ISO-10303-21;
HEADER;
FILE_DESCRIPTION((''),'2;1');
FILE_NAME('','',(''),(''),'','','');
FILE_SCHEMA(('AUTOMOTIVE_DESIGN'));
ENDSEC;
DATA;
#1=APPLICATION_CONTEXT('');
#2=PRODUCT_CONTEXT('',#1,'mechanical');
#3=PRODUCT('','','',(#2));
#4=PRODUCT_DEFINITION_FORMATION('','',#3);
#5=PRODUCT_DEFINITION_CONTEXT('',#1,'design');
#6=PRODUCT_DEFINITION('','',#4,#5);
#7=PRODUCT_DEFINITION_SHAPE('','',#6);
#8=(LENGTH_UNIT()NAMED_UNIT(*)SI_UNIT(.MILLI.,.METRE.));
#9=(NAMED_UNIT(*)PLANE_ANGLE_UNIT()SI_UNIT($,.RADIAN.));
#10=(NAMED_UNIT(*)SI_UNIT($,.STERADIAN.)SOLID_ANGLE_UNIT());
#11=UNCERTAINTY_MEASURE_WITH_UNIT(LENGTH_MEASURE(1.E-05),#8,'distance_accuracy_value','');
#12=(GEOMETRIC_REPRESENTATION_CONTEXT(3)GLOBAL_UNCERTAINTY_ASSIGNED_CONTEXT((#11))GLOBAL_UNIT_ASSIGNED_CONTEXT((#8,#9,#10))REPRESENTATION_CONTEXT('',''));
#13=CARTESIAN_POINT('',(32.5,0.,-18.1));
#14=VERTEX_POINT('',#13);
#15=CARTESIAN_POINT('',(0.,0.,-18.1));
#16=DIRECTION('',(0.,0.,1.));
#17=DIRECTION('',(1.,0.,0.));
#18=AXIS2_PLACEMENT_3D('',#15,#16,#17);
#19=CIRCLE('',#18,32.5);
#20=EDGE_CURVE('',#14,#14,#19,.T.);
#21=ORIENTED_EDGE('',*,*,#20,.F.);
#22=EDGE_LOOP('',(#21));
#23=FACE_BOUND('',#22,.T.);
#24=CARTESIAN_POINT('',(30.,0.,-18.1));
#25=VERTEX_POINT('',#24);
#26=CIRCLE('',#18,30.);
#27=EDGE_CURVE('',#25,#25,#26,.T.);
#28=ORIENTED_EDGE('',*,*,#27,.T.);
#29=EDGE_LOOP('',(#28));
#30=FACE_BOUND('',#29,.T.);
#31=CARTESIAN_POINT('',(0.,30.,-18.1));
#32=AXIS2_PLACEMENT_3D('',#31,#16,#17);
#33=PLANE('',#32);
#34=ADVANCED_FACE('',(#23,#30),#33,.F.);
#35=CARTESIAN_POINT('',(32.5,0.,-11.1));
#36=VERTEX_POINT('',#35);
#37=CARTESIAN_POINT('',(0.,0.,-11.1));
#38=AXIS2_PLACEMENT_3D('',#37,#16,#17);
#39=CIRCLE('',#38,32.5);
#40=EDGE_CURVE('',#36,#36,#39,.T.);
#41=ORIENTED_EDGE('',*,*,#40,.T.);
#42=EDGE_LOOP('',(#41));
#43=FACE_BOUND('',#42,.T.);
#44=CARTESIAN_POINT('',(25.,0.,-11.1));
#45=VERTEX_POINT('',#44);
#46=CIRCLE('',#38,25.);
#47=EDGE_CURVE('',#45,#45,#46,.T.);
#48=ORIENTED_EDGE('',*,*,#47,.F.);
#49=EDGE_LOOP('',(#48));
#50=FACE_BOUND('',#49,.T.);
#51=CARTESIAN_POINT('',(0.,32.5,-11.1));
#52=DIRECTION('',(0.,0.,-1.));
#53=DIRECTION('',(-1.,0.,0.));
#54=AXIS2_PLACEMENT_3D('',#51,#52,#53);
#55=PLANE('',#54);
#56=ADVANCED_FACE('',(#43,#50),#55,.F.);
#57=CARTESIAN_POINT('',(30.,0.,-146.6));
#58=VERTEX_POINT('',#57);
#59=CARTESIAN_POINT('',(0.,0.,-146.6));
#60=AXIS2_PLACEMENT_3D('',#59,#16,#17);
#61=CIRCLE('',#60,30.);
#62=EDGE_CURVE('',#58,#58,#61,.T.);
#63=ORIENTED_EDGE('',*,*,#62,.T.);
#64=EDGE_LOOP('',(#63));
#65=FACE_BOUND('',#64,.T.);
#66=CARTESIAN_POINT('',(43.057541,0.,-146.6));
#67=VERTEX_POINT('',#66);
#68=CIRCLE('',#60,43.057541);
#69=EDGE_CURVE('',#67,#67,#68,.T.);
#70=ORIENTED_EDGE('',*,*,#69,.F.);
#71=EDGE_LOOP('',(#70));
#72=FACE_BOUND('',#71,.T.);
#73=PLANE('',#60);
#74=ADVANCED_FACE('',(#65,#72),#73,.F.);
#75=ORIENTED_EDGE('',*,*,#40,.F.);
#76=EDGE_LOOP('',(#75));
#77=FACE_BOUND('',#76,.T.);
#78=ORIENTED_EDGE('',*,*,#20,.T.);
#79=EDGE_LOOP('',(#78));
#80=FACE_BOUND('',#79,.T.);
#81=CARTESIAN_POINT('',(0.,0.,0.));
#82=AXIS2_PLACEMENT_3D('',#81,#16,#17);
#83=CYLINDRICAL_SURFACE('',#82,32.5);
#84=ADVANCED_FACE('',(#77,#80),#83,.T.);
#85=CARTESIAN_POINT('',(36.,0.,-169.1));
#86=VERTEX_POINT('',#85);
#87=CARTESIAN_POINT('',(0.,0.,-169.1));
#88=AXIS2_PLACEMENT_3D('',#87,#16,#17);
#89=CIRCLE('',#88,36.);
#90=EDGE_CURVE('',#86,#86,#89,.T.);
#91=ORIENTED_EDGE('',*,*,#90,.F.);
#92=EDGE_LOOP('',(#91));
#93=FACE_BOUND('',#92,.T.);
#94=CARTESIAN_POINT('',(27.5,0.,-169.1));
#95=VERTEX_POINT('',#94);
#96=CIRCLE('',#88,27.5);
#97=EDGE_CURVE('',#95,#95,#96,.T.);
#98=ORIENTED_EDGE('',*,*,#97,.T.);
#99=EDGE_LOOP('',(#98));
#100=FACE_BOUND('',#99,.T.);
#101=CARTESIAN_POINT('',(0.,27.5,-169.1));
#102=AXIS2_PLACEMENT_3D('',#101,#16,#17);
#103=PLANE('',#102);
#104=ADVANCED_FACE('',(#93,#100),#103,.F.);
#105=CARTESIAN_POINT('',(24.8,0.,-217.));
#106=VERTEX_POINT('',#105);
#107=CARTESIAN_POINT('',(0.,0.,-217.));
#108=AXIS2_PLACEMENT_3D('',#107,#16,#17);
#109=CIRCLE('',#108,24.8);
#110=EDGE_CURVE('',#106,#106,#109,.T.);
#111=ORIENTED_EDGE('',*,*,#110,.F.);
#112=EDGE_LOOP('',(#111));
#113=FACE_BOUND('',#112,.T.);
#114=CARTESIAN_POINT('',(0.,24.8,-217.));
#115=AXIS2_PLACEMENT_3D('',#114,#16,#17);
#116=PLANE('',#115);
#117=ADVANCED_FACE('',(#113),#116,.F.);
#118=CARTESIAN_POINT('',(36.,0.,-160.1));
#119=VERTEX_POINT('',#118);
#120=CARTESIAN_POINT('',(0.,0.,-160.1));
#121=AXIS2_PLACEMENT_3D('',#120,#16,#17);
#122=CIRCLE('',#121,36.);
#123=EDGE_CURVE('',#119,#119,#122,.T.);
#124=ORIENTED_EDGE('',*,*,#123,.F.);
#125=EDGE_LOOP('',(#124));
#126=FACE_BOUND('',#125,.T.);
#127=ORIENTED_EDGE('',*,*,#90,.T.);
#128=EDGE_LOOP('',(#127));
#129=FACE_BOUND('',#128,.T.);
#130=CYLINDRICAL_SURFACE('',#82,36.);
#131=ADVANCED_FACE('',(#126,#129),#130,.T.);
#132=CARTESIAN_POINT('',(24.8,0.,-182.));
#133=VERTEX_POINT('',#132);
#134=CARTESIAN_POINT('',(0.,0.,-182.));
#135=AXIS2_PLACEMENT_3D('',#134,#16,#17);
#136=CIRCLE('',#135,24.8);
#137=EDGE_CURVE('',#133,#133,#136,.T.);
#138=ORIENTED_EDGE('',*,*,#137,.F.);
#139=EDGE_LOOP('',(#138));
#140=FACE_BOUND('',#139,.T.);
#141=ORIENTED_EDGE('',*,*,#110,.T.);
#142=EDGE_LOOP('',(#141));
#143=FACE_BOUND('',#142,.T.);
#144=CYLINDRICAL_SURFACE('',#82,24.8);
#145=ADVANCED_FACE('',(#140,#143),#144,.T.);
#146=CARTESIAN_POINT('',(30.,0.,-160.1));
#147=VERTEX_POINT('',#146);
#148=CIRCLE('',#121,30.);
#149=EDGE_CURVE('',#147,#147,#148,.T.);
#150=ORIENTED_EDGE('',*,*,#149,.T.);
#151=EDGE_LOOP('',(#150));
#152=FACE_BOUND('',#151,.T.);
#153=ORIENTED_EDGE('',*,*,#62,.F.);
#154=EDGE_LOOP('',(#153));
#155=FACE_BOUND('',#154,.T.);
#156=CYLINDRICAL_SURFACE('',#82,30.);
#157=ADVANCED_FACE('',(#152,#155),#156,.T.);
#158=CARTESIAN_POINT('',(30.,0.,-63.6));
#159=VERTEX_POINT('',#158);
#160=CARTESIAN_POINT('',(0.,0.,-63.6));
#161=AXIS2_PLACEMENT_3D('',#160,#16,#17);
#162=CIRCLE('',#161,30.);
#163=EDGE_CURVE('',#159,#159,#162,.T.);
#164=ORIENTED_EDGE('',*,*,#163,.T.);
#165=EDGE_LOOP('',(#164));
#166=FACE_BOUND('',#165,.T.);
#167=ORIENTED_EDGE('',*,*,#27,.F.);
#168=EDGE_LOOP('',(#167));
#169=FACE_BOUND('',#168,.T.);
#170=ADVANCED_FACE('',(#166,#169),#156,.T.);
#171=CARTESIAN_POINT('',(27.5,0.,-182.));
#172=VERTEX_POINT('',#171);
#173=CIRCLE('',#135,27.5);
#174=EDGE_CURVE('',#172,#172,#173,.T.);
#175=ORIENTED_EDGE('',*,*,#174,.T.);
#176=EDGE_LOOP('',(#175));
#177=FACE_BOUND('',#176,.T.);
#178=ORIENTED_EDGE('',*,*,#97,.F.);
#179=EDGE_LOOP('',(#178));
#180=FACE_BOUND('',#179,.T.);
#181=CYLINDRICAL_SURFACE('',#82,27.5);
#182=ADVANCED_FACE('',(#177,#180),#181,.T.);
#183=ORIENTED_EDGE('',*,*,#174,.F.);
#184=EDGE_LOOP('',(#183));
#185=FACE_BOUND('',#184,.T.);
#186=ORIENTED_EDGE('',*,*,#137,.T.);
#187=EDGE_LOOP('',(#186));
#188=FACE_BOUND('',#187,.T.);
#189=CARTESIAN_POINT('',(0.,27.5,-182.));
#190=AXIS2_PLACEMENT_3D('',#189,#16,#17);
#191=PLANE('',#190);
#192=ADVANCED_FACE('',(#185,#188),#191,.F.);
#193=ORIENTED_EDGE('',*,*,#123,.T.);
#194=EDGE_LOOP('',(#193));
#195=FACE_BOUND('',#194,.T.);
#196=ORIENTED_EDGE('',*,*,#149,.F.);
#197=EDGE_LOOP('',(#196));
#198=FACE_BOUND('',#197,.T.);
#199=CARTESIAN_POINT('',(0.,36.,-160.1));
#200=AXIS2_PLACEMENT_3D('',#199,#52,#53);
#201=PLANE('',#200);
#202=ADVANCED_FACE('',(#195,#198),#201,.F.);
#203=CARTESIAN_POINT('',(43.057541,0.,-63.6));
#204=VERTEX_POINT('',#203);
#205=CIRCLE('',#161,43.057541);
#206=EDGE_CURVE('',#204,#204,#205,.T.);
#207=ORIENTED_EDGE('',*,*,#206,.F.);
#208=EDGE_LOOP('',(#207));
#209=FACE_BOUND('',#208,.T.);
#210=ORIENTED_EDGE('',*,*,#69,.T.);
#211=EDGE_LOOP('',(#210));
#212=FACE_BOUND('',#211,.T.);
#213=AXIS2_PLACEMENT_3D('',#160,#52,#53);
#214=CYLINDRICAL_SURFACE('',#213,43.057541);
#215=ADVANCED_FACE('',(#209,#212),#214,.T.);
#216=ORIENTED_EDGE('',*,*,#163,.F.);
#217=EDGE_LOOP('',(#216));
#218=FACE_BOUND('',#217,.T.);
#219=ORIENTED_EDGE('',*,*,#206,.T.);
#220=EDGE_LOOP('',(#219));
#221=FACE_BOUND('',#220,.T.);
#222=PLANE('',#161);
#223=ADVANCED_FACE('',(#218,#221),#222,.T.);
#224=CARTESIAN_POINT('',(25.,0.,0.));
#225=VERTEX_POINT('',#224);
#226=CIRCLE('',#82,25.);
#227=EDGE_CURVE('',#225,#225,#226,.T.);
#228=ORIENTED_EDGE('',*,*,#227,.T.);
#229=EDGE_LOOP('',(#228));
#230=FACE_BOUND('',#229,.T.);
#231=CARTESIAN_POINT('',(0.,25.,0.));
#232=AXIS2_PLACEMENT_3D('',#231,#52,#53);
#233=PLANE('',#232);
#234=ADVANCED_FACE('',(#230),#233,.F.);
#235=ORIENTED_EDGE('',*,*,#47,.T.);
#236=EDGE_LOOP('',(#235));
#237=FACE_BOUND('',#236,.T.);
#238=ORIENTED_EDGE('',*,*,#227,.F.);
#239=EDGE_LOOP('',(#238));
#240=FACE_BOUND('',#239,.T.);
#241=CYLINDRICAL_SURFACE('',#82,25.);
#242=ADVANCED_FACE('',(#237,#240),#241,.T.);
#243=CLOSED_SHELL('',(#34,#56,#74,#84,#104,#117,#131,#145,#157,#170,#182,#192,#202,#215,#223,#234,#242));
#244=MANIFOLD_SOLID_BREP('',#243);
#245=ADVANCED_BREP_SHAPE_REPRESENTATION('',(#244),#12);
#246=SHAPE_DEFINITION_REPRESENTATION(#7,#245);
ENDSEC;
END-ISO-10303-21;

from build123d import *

# Parameters (mm, degrees)
SKETCH4_R           = 43.057541212
BOSS_EXTRUDE1_DEPTH = 41.5


with BuildPart() as part:
    # Sketch3 → Revolve1 (revolve)
    with BuildSketch(Plane(origin=(0, 0, 0), x_dir=(0, 0, -1), z_dir=(1, 0, 0))):
        Polygon((0, 0), (217, 0), (217, 24.8), (182, 24.8), (182, 27.500000118), (169.1, 27.500000118), (169.1, 36), (160.1, 36), (160.1, 30), (18.1, 30), (18.1, 32.5), (11.1, 32.5), (11.1, 25), (0, 25), align=None)
    revolve(axis=Axis((0, 0, 0), (0, 0, -1)))

    # Sketch4 → Boss-Extrude1 (add, symmetric)
    with BuildSketch(Plane.XY.offset(-105.1)):
        Circle(SKETCH4_R)
    extrude(amount=BOSS_EXTRUDE1_DEPTH, both=True)


solid = part.part
